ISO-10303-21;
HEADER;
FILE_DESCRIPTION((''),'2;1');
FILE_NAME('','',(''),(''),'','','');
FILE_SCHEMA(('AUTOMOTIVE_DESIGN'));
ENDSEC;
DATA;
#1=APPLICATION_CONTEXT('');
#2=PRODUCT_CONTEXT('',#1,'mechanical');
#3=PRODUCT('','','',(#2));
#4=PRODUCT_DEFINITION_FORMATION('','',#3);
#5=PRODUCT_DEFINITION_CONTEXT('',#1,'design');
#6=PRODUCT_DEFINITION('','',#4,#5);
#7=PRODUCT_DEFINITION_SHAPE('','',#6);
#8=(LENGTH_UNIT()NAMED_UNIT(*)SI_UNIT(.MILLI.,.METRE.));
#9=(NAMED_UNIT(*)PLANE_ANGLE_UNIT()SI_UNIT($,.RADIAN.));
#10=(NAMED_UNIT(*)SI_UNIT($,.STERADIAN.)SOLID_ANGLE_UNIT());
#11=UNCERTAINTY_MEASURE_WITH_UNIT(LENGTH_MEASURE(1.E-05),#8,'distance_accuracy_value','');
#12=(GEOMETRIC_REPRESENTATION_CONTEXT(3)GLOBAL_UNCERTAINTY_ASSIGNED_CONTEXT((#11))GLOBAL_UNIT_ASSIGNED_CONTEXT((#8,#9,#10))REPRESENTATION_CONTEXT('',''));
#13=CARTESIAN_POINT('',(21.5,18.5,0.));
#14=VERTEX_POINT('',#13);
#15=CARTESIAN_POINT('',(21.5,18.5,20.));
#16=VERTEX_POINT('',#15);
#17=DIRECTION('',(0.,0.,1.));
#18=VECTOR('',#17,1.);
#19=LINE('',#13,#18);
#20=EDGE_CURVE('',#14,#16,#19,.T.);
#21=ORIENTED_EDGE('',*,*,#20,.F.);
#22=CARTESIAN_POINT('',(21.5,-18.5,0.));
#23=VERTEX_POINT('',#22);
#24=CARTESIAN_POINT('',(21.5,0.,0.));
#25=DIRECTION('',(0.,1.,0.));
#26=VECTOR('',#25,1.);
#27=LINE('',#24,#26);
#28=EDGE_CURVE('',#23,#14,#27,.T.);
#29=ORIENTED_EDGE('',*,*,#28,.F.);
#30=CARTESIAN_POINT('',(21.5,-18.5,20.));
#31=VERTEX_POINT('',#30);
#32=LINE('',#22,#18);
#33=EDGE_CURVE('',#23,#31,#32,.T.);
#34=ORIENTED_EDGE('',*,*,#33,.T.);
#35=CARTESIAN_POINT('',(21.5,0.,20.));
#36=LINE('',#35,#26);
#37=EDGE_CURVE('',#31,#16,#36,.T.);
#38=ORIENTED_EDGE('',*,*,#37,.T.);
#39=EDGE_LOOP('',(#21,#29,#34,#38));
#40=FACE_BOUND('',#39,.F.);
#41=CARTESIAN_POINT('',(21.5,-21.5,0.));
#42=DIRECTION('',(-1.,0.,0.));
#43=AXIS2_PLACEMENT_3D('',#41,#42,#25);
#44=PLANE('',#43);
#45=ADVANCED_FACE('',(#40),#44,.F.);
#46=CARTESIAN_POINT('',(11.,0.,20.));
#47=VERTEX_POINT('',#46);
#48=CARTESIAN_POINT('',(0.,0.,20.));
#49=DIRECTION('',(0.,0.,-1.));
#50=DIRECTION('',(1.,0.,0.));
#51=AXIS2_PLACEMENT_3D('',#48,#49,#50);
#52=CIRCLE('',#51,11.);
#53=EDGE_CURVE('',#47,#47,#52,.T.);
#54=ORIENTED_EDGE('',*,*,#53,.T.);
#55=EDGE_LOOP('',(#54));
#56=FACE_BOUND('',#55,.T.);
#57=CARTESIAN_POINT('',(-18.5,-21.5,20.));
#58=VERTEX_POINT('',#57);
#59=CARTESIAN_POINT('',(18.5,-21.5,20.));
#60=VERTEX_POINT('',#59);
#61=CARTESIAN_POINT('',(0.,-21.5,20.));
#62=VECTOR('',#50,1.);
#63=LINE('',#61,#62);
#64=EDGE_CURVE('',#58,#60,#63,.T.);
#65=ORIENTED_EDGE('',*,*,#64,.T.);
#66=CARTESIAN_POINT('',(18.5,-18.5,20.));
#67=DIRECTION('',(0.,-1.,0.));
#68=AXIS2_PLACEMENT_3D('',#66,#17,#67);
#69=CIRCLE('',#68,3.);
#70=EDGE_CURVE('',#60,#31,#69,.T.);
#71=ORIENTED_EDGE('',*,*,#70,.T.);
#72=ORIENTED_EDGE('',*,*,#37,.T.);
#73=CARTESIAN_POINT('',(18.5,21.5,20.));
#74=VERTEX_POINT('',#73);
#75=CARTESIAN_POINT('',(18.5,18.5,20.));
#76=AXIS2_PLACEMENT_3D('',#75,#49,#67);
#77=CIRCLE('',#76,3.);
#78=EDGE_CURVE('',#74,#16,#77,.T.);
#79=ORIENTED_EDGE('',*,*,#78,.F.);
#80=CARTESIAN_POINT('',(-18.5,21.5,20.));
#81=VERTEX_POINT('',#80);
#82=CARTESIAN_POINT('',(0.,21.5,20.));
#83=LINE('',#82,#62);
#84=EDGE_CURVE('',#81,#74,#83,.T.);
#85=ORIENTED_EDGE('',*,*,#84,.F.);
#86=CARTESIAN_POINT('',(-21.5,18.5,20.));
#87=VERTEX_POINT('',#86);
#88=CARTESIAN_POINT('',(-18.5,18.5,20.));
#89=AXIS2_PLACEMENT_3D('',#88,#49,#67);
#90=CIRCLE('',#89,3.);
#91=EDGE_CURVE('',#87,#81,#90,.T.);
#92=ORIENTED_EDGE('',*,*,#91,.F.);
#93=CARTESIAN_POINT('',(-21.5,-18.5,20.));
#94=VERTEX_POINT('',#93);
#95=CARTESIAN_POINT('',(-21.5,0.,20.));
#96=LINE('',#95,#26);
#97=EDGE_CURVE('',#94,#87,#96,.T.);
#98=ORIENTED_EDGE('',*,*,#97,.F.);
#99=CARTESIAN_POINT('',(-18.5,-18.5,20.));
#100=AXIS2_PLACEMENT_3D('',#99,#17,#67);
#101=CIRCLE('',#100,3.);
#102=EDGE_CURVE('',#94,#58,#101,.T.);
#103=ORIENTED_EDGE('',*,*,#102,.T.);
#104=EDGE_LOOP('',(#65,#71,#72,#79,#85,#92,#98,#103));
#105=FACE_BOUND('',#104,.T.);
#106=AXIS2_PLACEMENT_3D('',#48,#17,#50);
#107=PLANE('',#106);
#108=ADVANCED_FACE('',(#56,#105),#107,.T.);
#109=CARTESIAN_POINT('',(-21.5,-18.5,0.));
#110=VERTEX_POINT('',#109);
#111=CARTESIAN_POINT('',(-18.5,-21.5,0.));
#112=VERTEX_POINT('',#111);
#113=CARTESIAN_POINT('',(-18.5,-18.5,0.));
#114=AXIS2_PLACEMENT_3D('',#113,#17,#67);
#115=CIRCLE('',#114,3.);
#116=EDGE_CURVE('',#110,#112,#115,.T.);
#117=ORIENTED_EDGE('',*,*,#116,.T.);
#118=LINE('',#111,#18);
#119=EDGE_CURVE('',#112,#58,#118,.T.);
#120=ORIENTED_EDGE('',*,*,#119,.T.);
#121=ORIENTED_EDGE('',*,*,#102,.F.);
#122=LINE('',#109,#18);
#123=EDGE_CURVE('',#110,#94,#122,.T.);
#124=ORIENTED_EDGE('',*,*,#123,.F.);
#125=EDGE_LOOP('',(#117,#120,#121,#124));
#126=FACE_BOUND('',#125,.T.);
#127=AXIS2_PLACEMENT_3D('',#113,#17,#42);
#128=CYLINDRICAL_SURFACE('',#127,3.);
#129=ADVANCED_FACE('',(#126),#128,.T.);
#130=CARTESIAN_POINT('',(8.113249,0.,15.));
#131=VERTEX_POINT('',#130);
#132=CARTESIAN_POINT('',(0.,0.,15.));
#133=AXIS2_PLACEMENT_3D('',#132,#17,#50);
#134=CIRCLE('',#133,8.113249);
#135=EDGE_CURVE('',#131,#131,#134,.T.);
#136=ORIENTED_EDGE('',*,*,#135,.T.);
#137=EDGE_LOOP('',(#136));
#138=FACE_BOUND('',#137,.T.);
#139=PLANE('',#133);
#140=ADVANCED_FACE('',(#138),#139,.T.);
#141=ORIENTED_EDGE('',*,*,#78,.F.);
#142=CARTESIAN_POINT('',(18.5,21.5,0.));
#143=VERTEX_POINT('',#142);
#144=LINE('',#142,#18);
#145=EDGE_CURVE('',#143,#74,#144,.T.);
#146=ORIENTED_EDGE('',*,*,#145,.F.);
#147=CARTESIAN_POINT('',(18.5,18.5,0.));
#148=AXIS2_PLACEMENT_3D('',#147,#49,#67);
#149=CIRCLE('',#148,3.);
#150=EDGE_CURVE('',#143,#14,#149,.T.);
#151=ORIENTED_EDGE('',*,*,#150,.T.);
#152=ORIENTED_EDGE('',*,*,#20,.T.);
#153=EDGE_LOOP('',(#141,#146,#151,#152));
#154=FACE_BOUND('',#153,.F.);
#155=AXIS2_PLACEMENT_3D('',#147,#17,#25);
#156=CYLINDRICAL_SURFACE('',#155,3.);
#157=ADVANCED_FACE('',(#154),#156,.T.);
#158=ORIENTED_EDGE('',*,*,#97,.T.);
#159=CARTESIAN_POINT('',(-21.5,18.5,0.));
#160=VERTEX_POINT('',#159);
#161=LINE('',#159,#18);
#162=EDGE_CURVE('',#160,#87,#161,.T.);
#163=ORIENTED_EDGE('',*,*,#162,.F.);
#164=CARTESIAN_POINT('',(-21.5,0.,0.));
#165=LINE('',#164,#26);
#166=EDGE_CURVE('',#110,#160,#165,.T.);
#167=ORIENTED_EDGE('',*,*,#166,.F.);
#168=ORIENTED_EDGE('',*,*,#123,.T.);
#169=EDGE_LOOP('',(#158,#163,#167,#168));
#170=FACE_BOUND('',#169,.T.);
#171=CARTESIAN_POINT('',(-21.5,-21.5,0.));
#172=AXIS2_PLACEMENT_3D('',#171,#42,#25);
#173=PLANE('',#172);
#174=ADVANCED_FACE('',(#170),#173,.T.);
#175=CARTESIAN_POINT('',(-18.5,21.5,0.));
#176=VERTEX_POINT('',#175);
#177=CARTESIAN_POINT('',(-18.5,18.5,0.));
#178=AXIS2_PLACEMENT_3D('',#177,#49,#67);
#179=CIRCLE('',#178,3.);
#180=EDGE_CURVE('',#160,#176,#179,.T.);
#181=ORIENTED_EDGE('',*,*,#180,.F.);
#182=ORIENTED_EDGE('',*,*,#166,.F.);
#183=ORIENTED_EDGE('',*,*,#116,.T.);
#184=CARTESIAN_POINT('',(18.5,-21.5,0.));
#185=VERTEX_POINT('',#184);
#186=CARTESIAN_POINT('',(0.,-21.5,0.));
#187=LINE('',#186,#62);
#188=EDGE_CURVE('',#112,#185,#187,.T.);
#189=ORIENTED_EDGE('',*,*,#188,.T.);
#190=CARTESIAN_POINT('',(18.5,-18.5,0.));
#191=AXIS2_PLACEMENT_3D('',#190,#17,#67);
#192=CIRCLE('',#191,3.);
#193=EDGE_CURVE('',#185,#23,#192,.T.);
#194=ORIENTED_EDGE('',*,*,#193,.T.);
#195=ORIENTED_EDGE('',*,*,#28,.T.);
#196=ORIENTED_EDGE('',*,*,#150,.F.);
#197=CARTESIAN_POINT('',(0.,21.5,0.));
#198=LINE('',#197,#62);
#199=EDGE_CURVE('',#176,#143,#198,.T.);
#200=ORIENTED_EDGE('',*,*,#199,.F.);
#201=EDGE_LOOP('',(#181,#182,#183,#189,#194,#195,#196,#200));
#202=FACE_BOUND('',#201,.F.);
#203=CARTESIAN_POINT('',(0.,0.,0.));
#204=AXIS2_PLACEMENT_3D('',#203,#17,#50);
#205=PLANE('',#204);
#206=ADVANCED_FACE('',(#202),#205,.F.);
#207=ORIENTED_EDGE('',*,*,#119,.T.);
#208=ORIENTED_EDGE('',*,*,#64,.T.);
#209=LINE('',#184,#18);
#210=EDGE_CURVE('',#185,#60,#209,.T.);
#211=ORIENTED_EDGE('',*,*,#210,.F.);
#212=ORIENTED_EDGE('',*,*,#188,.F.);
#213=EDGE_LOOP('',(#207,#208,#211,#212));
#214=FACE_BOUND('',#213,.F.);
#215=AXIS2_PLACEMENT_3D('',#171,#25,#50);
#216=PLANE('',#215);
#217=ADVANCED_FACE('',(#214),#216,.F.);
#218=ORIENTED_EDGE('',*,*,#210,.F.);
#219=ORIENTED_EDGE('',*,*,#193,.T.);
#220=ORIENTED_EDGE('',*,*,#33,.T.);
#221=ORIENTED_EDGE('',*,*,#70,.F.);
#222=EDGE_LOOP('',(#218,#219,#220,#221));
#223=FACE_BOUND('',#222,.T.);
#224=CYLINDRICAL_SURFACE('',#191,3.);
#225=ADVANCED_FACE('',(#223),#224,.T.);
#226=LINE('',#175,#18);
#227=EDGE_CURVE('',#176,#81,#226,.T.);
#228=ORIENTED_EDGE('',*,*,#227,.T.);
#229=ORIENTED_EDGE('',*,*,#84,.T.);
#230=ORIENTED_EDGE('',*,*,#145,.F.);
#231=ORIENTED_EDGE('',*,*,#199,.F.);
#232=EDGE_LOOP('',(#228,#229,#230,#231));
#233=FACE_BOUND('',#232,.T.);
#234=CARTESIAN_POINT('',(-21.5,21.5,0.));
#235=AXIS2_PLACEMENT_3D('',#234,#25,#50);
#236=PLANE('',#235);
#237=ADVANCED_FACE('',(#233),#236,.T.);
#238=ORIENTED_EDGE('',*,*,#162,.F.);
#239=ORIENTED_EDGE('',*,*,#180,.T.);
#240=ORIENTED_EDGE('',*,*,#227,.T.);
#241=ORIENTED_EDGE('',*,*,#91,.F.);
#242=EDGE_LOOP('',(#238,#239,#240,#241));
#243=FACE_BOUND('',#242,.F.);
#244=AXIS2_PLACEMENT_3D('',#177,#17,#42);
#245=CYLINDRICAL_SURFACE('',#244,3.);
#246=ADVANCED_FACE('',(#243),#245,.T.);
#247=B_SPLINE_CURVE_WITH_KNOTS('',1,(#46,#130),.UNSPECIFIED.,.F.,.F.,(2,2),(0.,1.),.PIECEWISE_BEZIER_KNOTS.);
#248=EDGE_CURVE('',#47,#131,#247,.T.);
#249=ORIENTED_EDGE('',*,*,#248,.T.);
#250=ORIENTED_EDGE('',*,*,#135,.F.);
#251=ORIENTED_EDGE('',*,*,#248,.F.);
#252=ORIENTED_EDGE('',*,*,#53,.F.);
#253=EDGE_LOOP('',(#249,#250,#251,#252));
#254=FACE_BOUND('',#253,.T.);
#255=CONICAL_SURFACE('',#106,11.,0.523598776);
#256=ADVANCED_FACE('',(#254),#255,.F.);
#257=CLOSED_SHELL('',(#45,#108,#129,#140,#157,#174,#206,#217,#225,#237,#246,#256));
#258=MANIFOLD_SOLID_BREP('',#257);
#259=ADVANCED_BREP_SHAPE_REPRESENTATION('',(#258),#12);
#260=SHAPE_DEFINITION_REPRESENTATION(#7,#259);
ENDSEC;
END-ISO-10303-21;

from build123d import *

# Parameters (mm, degrees)
SKETCH_W     = 43
SKETCH_H     = 43
PAD_DEPTH    = 20
SKETCH001_R  = 11
POCKET_DEPTH = 5
POCKET_TAPER = 30
FILLET_R     = 3


with BuildPart() as part:
    # Sketch → Pad (new body)
    with BuildSketch(Plane.XY):
        Rectangle(SKETCH_W, SKETCH_H)
    extrude(amount=PAD_DEPTH)

    # Sketch001 (on Face6 of Pad) → Pocket (cut)
    with BuildSketch(Plane.XY.offset(20)):
        Circle(SKETCH001_R)
    extrude(amount=-POCKET_DEPTH, taper=POCKET_TAPER, mode=Mode.SUBTRACT)

    # Fillet
    fillet_edges = [part.edges().sort_by_distance(p)[0] for p in [
        (21.5, -21.5, 10),
        (21.5, 21.5, 10),
        (-21.5, -21.5, 10),
        (-21.5, 21.5, 10),
    ]]
    fillet(fillet_edges, radius=FILLET_R)


solid = part.part
